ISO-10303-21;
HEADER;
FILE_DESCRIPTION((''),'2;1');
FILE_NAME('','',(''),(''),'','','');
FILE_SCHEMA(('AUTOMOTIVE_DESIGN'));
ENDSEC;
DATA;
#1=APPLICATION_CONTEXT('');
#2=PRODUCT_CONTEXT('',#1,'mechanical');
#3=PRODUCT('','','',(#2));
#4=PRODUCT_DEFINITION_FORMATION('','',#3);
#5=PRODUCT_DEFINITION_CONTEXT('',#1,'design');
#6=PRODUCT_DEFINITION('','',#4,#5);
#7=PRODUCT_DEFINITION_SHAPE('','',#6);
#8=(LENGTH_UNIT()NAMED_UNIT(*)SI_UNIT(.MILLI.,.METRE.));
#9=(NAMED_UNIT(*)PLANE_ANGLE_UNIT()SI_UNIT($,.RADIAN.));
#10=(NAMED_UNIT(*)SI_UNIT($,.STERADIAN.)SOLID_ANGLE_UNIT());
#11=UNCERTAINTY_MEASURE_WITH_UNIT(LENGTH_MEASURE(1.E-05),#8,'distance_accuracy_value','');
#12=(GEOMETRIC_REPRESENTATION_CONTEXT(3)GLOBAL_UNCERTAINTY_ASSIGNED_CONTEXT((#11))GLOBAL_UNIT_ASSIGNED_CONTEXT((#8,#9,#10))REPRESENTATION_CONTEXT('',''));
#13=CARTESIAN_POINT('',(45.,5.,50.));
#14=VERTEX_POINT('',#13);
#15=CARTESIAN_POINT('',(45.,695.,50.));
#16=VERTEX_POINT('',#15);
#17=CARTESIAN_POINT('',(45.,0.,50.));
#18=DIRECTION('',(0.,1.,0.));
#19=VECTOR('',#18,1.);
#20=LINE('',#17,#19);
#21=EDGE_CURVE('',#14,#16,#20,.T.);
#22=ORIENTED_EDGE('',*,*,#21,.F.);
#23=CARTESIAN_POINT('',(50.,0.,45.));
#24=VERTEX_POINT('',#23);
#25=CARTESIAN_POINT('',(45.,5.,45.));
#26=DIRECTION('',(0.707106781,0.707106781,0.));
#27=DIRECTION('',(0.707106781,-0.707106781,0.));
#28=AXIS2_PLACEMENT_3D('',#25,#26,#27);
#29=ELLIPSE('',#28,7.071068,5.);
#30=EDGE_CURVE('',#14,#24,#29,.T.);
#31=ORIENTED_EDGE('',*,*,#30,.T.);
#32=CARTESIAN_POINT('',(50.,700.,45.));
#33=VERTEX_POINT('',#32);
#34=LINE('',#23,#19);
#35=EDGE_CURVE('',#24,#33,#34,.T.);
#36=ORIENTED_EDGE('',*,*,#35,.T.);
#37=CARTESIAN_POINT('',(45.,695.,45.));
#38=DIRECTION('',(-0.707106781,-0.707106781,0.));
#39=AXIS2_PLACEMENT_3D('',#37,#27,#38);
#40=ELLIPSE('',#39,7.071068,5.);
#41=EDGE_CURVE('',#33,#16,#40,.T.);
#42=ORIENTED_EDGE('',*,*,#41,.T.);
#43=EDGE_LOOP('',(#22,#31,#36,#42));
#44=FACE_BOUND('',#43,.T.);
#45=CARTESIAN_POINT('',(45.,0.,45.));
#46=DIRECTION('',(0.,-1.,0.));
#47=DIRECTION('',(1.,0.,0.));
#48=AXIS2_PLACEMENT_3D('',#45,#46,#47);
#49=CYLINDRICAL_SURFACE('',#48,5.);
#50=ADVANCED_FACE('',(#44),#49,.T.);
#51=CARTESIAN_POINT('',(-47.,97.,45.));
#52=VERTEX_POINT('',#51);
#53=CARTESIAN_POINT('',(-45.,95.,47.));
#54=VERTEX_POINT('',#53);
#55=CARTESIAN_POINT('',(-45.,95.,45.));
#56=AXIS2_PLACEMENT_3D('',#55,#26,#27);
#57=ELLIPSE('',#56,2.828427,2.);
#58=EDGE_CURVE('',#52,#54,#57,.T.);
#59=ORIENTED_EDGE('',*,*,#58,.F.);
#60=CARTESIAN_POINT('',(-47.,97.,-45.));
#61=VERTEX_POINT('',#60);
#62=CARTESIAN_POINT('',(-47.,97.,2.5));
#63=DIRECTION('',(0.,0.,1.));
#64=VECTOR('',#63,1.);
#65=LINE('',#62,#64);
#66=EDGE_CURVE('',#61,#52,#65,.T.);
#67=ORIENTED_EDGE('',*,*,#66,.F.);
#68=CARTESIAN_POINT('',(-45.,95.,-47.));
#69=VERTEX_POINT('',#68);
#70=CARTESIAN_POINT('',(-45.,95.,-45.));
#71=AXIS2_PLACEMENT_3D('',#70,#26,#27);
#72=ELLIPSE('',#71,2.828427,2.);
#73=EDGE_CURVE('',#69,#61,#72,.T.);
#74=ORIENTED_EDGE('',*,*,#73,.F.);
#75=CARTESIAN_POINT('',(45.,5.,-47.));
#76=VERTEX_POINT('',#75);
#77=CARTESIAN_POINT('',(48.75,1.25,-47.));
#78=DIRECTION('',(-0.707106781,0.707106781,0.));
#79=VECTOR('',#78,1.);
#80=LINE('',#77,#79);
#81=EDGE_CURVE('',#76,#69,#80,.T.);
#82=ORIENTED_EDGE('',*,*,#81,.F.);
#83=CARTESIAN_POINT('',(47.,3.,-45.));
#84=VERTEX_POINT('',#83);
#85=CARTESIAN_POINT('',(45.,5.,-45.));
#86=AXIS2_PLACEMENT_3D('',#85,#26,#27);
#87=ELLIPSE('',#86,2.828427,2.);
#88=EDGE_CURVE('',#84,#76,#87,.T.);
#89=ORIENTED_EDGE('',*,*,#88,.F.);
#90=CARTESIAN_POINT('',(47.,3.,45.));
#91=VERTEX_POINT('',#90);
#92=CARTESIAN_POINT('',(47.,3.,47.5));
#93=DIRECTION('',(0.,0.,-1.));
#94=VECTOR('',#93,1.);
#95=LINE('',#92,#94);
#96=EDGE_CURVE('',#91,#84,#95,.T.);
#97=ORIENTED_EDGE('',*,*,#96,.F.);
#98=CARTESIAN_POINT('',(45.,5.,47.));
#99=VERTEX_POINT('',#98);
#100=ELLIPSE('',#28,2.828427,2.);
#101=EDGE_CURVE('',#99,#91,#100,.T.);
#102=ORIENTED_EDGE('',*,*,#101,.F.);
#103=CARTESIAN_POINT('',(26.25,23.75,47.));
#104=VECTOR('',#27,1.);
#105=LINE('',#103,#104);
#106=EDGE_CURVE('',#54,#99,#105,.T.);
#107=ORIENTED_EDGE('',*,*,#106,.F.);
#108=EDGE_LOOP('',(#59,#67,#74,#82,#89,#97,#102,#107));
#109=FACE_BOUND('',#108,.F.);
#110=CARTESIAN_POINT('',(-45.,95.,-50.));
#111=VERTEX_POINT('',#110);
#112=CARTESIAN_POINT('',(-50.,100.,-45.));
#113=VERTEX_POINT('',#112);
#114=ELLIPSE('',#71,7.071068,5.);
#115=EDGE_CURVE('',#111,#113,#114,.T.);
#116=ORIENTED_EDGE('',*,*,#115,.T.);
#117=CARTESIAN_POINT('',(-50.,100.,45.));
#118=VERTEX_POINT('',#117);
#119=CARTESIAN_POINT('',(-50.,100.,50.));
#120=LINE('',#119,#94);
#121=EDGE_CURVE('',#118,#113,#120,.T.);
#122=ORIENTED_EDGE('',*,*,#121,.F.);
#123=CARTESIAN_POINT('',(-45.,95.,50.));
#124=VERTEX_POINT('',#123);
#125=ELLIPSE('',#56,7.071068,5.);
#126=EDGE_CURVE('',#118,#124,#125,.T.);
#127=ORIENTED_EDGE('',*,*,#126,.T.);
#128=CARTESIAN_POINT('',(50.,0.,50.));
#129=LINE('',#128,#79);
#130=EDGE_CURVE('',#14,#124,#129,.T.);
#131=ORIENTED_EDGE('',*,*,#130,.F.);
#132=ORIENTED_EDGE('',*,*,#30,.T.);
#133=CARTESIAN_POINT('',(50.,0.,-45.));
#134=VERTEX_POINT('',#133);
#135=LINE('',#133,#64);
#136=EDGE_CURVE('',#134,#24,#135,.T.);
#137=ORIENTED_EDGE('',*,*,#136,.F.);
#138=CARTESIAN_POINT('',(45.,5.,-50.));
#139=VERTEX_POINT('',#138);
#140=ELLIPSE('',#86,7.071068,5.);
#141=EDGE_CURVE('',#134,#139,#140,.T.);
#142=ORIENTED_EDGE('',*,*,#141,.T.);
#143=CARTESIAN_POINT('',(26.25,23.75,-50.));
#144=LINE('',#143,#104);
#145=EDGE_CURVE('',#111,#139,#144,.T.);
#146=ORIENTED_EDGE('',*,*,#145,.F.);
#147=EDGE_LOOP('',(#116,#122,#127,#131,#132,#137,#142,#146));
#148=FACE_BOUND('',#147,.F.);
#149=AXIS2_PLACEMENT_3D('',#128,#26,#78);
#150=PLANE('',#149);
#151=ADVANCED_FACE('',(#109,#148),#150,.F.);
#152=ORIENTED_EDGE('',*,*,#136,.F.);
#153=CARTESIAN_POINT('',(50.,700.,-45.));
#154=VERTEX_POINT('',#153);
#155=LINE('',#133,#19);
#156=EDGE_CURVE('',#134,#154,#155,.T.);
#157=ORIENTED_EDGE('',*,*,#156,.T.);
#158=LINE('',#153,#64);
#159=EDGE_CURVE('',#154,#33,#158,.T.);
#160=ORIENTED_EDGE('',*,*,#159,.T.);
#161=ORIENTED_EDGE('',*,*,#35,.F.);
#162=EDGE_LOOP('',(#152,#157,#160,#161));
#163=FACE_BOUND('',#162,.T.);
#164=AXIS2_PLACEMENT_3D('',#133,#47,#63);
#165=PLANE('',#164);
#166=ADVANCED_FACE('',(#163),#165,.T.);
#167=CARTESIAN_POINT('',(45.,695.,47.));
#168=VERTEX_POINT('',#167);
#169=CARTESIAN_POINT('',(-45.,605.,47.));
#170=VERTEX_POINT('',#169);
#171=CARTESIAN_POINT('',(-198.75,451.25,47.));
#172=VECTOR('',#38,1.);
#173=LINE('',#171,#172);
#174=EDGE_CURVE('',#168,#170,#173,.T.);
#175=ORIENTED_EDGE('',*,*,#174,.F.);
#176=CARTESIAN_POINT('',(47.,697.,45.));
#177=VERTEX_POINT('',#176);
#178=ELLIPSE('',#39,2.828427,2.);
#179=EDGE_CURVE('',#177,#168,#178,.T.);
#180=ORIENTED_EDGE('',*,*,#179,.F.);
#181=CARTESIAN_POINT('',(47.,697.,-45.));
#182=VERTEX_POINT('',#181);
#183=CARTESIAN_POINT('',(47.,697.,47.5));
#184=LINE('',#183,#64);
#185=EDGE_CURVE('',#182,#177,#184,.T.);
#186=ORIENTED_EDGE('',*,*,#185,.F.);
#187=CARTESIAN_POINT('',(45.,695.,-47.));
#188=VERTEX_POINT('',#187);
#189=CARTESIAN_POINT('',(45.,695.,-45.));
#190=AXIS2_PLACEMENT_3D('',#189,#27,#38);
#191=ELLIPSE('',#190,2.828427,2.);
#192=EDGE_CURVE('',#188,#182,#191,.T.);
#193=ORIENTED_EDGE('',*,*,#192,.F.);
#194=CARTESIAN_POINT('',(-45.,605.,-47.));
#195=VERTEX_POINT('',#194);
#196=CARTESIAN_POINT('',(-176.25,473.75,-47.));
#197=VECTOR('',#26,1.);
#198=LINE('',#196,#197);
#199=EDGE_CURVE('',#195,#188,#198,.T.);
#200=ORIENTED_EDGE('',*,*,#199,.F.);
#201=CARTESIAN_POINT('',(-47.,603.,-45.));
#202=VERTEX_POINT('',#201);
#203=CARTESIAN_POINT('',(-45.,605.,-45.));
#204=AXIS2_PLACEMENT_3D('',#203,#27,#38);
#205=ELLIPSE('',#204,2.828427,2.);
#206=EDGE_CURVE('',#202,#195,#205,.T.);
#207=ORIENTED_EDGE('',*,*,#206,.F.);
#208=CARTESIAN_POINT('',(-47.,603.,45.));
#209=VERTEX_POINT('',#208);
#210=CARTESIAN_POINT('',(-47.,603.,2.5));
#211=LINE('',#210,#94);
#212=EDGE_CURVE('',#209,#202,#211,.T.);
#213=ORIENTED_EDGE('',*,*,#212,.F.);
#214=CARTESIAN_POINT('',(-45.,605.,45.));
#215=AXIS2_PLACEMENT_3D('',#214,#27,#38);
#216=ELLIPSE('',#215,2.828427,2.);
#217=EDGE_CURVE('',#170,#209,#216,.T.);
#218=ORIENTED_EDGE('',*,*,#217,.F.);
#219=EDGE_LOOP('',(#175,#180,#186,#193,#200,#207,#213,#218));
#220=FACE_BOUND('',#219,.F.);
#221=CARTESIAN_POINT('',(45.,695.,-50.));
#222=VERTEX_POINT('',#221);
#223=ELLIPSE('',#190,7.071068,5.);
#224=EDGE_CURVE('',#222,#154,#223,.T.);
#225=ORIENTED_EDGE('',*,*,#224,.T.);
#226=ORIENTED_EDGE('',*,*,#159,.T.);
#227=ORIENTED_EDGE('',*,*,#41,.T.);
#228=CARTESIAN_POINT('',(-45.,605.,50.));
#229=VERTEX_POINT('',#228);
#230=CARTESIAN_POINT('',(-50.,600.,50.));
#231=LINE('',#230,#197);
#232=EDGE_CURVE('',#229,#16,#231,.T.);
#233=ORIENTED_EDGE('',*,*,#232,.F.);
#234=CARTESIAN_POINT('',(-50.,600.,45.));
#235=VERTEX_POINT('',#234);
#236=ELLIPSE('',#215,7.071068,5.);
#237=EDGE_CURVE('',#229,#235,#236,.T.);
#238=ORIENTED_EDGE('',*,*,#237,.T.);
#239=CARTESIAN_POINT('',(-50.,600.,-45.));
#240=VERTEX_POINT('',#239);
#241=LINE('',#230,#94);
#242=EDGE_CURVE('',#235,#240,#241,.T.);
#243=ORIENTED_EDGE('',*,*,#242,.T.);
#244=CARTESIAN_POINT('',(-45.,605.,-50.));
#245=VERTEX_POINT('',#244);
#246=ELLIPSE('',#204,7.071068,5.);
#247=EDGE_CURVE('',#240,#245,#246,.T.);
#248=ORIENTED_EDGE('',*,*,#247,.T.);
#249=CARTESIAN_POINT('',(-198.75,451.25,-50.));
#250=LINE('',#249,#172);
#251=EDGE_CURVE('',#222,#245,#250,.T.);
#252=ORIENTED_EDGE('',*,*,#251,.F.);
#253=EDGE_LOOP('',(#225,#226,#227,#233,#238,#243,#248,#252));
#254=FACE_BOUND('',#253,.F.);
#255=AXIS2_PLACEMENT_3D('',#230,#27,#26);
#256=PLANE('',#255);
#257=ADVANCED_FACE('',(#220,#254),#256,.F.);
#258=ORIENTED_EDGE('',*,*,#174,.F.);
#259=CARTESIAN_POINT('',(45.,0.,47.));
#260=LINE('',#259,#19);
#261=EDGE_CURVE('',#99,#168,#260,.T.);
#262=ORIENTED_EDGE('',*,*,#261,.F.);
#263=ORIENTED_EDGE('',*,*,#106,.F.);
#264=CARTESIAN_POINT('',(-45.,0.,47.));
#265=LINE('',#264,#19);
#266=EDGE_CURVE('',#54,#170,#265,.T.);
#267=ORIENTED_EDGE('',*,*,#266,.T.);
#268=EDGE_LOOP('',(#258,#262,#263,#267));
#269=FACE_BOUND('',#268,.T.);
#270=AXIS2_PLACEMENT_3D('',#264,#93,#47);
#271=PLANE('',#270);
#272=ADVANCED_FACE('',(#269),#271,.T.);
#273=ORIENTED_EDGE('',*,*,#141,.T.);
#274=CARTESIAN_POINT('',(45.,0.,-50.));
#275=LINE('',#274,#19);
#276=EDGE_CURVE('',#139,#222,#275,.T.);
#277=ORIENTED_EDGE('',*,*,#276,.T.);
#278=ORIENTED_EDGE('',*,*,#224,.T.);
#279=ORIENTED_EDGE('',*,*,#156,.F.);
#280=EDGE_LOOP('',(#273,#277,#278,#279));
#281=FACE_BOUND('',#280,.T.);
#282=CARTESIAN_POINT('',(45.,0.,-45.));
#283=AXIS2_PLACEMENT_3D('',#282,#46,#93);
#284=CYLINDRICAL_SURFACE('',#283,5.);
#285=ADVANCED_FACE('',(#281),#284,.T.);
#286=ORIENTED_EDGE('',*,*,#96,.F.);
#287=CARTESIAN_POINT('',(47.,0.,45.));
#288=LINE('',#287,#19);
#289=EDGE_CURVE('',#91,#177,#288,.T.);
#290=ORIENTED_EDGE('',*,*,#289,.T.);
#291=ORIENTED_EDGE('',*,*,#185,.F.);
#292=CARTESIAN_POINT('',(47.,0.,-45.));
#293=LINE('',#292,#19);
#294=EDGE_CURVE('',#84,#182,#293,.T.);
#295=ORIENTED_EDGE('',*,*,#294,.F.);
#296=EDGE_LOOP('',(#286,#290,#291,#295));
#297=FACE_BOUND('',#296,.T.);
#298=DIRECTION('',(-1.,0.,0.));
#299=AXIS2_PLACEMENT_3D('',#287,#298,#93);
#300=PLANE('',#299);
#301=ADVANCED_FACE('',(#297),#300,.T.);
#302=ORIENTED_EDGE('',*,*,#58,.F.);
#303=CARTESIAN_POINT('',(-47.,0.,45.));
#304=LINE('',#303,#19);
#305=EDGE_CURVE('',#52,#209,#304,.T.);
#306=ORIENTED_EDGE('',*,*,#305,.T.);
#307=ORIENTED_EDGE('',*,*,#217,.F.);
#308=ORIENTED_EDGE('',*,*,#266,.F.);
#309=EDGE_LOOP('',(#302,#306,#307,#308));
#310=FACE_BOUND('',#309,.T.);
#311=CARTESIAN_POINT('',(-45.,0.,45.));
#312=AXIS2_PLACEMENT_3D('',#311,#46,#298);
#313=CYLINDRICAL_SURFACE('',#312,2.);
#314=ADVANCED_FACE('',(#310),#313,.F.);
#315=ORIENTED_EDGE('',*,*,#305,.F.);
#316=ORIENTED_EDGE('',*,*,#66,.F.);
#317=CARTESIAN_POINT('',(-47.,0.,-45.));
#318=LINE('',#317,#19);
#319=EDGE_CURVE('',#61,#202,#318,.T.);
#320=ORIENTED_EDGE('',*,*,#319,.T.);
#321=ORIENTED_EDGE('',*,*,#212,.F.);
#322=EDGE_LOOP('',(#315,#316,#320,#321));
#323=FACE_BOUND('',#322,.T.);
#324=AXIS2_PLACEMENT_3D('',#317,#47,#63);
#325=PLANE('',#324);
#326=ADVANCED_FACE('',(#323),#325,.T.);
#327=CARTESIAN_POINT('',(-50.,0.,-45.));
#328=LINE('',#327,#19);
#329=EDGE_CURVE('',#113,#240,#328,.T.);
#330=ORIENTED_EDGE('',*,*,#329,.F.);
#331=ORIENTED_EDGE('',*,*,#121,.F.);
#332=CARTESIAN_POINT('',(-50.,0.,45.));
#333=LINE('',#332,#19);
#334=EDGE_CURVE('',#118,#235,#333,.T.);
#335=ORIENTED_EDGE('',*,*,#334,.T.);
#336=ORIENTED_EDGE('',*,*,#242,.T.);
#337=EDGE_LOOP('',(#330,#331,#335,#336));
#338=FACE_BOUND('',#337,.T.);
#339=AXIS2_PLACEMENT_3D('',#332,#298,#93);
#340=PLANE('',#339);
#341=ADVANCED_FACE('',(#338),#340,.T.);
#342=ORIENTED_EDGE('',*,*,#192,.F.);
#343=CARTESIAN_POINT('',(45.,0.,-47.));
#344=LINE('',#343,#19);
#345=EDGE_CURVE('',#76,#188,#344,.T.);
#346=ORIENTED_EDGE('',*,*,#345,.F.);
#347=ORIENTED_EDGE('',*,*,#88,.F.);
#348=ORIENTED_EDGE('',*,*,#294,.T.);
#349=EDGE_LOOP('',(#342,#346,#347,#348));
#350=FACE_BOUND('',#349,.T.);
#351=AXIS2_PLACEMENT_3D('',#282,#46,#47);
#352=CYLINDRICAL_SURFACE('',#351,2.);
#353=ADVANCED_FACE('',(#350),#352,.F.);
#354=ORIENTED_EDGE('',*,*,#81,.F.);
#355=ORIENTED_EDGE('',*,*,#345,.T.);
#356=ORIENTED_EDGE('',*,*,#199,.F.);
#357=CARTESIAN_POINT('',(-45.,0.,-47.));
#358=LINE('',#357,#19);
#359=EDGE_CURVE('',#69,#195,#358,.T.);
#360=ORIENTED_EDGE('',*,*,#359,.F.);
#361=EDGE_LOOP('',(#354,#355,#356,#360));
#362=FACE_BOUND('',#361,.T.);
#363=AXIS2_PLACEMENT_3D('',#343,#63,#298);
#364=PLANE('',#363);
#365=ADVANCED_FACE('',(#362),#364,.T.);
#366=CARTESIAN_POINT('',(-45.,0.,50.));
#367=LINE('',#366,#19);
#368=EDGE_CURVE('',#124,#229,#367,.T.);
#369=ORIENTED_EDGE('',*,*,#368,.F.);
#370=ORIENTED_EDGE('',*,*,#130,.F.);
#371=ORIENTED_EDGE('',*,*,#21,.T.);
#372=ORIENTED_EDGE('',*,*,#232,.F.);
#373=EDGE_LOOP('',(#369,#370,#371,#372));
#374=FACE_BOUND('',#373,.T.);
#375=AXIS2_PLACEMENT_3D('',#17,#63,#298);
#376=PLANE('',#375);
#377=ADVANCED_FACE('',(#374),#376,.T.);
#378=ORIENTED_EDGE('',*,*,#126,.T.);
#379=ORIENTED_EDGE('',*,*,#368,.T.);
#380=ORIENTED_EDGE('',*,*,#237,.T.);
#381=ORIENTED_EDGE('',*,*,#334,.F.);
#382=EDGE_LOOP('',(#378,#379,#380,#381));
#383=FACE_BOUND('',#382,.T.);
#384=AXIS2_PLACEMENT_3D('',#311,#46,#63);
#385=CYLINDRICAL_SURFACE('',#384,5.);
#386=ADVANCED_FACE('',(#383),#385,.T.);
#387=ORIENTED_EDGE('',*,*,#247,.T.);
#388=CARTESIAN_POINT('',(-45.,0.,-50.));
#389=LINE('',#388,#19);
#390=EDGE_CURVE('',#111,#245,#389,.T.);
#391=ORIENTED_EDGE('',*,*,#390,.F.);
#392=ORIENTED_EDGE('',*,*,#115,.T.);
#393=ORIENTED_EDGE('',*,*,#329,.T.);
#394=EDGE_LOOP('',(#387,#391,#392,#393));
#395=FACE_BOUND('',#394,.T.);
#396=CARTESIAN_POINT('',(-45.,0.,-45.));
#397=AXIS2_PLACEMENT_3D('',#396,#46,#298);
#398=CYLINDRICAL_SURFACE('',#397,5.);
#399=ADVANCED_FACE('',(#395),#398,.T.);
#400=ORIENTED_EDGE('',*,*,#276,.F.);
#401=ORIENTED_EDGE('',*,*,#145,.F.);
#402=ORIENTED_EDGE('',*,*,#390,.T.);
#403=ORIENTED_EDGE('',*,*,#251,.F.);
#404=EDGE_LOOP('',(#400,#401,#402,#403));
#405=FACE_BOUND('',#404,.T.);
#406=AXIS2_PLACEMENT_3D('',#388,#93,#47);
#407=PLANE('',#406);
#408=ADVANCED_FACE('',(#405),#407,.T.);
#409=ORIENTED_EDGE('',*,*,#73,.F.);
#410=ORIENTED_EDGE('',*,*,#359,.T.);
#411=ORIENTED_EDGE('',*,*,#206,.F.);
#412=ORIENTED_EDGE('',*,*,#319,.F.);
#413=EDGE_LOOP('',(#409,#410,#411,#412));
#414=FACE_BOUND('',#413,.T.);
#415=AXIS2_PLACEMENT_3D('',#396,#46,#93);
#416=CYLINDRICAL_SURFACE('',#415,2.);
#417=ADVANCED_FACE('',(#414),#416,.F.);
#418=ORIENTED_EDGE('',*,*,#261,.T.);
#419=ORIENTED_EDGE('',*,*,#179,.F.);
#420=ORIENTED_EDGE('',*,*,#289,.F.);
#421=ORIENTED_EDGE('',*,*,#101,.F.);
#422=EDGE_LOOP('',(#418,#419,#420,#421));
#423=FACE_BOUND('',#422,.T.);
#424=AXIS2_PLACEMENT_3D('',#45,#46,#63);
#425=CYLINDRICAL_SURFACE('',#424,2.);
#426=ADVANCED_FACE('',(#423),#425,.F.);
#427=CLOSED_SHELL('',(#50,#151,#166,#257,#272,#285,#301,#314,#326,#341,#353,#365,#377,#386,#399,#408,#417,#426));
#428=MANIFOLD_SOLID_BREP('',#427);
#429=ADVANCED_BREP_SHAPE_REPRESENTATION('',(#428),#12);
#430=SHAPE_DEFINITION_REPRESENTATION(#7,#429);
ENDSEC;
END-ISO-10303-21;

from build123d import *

# Parameters (mm, degrees)
F1_DEPTH = 700
F4_DEPTH = 100.001
F5_DEPTH = 100.001


with BuildPart() as f1:
    # F0 (on Front) → F1 (new body)
    with BuildSketch(Plane.XZ):
        with BuildLine():
            ThreePointArc((50, 45), (48.5355339059, 48.5355339059), (45, 50))
            Line((45, 50), (-45, 50))
            ThreePointArc((-45, 50), (-48.5355339059, 48.5355339059), (-50, 45))
            Line((-50, 45), (-50, -45))
            ThreePointArc((-50, -45), (-48.5355339059, -48.5355339059), (-45, -50))
            Line((-45, -50), (45, -50))
            ThreePointArc((45, -50), (48.5355339059, -48.5355339059), (50, -45))
            Line((50, -45), (50, 45))
        make_face()
        with BuildLine():
            ThreePointArc((-47, 45), (-46.4142135624, 46.4142135624), (-45, 47))
            Line((-45, 47), (45, 47))
            ThreePointArc((45, 47), (46.4142135624, 46.4142135624), (47, 45))
            Line((47, 45), (47, -45))
            ThreePointArc((47, -45), (46.4142135624, -46.4142135624), (45, -47))
            Line((45, -47), (-45, -47))
            ThreePointArc((-45, -47), (-46.4142135624, -46.4142135624), (-47, -45))
            Line((-47, -45), (-47, 45))
        make_face(mode=Mode.SUBTRACT)
    extrude(amount=-F1_DEPTH)

    # F3 (on offset) → F4 (cut, through all)
    with BuildSketch(Plane.XY.offset(50)):
        Polygon((-50, 100), (-50, 0), (50, 0), align=None)
    extrude(amount=-F4_DEPTH, mode=Mode.SUBTRACT)

    # F3 (on offset) → F5 (cut, through all)
    with BuildSketch(Plane.XY.offset(50)):
        Polygon((-50, 100), (-50, 0), (50, 0), align=None)
        Polygon((50, 700), (-50, 700), (-50, 600), align=None)
    extrude(amount=-F5_DEPTH, mode=Mode.SUBTRACT)


solid = f1.part
